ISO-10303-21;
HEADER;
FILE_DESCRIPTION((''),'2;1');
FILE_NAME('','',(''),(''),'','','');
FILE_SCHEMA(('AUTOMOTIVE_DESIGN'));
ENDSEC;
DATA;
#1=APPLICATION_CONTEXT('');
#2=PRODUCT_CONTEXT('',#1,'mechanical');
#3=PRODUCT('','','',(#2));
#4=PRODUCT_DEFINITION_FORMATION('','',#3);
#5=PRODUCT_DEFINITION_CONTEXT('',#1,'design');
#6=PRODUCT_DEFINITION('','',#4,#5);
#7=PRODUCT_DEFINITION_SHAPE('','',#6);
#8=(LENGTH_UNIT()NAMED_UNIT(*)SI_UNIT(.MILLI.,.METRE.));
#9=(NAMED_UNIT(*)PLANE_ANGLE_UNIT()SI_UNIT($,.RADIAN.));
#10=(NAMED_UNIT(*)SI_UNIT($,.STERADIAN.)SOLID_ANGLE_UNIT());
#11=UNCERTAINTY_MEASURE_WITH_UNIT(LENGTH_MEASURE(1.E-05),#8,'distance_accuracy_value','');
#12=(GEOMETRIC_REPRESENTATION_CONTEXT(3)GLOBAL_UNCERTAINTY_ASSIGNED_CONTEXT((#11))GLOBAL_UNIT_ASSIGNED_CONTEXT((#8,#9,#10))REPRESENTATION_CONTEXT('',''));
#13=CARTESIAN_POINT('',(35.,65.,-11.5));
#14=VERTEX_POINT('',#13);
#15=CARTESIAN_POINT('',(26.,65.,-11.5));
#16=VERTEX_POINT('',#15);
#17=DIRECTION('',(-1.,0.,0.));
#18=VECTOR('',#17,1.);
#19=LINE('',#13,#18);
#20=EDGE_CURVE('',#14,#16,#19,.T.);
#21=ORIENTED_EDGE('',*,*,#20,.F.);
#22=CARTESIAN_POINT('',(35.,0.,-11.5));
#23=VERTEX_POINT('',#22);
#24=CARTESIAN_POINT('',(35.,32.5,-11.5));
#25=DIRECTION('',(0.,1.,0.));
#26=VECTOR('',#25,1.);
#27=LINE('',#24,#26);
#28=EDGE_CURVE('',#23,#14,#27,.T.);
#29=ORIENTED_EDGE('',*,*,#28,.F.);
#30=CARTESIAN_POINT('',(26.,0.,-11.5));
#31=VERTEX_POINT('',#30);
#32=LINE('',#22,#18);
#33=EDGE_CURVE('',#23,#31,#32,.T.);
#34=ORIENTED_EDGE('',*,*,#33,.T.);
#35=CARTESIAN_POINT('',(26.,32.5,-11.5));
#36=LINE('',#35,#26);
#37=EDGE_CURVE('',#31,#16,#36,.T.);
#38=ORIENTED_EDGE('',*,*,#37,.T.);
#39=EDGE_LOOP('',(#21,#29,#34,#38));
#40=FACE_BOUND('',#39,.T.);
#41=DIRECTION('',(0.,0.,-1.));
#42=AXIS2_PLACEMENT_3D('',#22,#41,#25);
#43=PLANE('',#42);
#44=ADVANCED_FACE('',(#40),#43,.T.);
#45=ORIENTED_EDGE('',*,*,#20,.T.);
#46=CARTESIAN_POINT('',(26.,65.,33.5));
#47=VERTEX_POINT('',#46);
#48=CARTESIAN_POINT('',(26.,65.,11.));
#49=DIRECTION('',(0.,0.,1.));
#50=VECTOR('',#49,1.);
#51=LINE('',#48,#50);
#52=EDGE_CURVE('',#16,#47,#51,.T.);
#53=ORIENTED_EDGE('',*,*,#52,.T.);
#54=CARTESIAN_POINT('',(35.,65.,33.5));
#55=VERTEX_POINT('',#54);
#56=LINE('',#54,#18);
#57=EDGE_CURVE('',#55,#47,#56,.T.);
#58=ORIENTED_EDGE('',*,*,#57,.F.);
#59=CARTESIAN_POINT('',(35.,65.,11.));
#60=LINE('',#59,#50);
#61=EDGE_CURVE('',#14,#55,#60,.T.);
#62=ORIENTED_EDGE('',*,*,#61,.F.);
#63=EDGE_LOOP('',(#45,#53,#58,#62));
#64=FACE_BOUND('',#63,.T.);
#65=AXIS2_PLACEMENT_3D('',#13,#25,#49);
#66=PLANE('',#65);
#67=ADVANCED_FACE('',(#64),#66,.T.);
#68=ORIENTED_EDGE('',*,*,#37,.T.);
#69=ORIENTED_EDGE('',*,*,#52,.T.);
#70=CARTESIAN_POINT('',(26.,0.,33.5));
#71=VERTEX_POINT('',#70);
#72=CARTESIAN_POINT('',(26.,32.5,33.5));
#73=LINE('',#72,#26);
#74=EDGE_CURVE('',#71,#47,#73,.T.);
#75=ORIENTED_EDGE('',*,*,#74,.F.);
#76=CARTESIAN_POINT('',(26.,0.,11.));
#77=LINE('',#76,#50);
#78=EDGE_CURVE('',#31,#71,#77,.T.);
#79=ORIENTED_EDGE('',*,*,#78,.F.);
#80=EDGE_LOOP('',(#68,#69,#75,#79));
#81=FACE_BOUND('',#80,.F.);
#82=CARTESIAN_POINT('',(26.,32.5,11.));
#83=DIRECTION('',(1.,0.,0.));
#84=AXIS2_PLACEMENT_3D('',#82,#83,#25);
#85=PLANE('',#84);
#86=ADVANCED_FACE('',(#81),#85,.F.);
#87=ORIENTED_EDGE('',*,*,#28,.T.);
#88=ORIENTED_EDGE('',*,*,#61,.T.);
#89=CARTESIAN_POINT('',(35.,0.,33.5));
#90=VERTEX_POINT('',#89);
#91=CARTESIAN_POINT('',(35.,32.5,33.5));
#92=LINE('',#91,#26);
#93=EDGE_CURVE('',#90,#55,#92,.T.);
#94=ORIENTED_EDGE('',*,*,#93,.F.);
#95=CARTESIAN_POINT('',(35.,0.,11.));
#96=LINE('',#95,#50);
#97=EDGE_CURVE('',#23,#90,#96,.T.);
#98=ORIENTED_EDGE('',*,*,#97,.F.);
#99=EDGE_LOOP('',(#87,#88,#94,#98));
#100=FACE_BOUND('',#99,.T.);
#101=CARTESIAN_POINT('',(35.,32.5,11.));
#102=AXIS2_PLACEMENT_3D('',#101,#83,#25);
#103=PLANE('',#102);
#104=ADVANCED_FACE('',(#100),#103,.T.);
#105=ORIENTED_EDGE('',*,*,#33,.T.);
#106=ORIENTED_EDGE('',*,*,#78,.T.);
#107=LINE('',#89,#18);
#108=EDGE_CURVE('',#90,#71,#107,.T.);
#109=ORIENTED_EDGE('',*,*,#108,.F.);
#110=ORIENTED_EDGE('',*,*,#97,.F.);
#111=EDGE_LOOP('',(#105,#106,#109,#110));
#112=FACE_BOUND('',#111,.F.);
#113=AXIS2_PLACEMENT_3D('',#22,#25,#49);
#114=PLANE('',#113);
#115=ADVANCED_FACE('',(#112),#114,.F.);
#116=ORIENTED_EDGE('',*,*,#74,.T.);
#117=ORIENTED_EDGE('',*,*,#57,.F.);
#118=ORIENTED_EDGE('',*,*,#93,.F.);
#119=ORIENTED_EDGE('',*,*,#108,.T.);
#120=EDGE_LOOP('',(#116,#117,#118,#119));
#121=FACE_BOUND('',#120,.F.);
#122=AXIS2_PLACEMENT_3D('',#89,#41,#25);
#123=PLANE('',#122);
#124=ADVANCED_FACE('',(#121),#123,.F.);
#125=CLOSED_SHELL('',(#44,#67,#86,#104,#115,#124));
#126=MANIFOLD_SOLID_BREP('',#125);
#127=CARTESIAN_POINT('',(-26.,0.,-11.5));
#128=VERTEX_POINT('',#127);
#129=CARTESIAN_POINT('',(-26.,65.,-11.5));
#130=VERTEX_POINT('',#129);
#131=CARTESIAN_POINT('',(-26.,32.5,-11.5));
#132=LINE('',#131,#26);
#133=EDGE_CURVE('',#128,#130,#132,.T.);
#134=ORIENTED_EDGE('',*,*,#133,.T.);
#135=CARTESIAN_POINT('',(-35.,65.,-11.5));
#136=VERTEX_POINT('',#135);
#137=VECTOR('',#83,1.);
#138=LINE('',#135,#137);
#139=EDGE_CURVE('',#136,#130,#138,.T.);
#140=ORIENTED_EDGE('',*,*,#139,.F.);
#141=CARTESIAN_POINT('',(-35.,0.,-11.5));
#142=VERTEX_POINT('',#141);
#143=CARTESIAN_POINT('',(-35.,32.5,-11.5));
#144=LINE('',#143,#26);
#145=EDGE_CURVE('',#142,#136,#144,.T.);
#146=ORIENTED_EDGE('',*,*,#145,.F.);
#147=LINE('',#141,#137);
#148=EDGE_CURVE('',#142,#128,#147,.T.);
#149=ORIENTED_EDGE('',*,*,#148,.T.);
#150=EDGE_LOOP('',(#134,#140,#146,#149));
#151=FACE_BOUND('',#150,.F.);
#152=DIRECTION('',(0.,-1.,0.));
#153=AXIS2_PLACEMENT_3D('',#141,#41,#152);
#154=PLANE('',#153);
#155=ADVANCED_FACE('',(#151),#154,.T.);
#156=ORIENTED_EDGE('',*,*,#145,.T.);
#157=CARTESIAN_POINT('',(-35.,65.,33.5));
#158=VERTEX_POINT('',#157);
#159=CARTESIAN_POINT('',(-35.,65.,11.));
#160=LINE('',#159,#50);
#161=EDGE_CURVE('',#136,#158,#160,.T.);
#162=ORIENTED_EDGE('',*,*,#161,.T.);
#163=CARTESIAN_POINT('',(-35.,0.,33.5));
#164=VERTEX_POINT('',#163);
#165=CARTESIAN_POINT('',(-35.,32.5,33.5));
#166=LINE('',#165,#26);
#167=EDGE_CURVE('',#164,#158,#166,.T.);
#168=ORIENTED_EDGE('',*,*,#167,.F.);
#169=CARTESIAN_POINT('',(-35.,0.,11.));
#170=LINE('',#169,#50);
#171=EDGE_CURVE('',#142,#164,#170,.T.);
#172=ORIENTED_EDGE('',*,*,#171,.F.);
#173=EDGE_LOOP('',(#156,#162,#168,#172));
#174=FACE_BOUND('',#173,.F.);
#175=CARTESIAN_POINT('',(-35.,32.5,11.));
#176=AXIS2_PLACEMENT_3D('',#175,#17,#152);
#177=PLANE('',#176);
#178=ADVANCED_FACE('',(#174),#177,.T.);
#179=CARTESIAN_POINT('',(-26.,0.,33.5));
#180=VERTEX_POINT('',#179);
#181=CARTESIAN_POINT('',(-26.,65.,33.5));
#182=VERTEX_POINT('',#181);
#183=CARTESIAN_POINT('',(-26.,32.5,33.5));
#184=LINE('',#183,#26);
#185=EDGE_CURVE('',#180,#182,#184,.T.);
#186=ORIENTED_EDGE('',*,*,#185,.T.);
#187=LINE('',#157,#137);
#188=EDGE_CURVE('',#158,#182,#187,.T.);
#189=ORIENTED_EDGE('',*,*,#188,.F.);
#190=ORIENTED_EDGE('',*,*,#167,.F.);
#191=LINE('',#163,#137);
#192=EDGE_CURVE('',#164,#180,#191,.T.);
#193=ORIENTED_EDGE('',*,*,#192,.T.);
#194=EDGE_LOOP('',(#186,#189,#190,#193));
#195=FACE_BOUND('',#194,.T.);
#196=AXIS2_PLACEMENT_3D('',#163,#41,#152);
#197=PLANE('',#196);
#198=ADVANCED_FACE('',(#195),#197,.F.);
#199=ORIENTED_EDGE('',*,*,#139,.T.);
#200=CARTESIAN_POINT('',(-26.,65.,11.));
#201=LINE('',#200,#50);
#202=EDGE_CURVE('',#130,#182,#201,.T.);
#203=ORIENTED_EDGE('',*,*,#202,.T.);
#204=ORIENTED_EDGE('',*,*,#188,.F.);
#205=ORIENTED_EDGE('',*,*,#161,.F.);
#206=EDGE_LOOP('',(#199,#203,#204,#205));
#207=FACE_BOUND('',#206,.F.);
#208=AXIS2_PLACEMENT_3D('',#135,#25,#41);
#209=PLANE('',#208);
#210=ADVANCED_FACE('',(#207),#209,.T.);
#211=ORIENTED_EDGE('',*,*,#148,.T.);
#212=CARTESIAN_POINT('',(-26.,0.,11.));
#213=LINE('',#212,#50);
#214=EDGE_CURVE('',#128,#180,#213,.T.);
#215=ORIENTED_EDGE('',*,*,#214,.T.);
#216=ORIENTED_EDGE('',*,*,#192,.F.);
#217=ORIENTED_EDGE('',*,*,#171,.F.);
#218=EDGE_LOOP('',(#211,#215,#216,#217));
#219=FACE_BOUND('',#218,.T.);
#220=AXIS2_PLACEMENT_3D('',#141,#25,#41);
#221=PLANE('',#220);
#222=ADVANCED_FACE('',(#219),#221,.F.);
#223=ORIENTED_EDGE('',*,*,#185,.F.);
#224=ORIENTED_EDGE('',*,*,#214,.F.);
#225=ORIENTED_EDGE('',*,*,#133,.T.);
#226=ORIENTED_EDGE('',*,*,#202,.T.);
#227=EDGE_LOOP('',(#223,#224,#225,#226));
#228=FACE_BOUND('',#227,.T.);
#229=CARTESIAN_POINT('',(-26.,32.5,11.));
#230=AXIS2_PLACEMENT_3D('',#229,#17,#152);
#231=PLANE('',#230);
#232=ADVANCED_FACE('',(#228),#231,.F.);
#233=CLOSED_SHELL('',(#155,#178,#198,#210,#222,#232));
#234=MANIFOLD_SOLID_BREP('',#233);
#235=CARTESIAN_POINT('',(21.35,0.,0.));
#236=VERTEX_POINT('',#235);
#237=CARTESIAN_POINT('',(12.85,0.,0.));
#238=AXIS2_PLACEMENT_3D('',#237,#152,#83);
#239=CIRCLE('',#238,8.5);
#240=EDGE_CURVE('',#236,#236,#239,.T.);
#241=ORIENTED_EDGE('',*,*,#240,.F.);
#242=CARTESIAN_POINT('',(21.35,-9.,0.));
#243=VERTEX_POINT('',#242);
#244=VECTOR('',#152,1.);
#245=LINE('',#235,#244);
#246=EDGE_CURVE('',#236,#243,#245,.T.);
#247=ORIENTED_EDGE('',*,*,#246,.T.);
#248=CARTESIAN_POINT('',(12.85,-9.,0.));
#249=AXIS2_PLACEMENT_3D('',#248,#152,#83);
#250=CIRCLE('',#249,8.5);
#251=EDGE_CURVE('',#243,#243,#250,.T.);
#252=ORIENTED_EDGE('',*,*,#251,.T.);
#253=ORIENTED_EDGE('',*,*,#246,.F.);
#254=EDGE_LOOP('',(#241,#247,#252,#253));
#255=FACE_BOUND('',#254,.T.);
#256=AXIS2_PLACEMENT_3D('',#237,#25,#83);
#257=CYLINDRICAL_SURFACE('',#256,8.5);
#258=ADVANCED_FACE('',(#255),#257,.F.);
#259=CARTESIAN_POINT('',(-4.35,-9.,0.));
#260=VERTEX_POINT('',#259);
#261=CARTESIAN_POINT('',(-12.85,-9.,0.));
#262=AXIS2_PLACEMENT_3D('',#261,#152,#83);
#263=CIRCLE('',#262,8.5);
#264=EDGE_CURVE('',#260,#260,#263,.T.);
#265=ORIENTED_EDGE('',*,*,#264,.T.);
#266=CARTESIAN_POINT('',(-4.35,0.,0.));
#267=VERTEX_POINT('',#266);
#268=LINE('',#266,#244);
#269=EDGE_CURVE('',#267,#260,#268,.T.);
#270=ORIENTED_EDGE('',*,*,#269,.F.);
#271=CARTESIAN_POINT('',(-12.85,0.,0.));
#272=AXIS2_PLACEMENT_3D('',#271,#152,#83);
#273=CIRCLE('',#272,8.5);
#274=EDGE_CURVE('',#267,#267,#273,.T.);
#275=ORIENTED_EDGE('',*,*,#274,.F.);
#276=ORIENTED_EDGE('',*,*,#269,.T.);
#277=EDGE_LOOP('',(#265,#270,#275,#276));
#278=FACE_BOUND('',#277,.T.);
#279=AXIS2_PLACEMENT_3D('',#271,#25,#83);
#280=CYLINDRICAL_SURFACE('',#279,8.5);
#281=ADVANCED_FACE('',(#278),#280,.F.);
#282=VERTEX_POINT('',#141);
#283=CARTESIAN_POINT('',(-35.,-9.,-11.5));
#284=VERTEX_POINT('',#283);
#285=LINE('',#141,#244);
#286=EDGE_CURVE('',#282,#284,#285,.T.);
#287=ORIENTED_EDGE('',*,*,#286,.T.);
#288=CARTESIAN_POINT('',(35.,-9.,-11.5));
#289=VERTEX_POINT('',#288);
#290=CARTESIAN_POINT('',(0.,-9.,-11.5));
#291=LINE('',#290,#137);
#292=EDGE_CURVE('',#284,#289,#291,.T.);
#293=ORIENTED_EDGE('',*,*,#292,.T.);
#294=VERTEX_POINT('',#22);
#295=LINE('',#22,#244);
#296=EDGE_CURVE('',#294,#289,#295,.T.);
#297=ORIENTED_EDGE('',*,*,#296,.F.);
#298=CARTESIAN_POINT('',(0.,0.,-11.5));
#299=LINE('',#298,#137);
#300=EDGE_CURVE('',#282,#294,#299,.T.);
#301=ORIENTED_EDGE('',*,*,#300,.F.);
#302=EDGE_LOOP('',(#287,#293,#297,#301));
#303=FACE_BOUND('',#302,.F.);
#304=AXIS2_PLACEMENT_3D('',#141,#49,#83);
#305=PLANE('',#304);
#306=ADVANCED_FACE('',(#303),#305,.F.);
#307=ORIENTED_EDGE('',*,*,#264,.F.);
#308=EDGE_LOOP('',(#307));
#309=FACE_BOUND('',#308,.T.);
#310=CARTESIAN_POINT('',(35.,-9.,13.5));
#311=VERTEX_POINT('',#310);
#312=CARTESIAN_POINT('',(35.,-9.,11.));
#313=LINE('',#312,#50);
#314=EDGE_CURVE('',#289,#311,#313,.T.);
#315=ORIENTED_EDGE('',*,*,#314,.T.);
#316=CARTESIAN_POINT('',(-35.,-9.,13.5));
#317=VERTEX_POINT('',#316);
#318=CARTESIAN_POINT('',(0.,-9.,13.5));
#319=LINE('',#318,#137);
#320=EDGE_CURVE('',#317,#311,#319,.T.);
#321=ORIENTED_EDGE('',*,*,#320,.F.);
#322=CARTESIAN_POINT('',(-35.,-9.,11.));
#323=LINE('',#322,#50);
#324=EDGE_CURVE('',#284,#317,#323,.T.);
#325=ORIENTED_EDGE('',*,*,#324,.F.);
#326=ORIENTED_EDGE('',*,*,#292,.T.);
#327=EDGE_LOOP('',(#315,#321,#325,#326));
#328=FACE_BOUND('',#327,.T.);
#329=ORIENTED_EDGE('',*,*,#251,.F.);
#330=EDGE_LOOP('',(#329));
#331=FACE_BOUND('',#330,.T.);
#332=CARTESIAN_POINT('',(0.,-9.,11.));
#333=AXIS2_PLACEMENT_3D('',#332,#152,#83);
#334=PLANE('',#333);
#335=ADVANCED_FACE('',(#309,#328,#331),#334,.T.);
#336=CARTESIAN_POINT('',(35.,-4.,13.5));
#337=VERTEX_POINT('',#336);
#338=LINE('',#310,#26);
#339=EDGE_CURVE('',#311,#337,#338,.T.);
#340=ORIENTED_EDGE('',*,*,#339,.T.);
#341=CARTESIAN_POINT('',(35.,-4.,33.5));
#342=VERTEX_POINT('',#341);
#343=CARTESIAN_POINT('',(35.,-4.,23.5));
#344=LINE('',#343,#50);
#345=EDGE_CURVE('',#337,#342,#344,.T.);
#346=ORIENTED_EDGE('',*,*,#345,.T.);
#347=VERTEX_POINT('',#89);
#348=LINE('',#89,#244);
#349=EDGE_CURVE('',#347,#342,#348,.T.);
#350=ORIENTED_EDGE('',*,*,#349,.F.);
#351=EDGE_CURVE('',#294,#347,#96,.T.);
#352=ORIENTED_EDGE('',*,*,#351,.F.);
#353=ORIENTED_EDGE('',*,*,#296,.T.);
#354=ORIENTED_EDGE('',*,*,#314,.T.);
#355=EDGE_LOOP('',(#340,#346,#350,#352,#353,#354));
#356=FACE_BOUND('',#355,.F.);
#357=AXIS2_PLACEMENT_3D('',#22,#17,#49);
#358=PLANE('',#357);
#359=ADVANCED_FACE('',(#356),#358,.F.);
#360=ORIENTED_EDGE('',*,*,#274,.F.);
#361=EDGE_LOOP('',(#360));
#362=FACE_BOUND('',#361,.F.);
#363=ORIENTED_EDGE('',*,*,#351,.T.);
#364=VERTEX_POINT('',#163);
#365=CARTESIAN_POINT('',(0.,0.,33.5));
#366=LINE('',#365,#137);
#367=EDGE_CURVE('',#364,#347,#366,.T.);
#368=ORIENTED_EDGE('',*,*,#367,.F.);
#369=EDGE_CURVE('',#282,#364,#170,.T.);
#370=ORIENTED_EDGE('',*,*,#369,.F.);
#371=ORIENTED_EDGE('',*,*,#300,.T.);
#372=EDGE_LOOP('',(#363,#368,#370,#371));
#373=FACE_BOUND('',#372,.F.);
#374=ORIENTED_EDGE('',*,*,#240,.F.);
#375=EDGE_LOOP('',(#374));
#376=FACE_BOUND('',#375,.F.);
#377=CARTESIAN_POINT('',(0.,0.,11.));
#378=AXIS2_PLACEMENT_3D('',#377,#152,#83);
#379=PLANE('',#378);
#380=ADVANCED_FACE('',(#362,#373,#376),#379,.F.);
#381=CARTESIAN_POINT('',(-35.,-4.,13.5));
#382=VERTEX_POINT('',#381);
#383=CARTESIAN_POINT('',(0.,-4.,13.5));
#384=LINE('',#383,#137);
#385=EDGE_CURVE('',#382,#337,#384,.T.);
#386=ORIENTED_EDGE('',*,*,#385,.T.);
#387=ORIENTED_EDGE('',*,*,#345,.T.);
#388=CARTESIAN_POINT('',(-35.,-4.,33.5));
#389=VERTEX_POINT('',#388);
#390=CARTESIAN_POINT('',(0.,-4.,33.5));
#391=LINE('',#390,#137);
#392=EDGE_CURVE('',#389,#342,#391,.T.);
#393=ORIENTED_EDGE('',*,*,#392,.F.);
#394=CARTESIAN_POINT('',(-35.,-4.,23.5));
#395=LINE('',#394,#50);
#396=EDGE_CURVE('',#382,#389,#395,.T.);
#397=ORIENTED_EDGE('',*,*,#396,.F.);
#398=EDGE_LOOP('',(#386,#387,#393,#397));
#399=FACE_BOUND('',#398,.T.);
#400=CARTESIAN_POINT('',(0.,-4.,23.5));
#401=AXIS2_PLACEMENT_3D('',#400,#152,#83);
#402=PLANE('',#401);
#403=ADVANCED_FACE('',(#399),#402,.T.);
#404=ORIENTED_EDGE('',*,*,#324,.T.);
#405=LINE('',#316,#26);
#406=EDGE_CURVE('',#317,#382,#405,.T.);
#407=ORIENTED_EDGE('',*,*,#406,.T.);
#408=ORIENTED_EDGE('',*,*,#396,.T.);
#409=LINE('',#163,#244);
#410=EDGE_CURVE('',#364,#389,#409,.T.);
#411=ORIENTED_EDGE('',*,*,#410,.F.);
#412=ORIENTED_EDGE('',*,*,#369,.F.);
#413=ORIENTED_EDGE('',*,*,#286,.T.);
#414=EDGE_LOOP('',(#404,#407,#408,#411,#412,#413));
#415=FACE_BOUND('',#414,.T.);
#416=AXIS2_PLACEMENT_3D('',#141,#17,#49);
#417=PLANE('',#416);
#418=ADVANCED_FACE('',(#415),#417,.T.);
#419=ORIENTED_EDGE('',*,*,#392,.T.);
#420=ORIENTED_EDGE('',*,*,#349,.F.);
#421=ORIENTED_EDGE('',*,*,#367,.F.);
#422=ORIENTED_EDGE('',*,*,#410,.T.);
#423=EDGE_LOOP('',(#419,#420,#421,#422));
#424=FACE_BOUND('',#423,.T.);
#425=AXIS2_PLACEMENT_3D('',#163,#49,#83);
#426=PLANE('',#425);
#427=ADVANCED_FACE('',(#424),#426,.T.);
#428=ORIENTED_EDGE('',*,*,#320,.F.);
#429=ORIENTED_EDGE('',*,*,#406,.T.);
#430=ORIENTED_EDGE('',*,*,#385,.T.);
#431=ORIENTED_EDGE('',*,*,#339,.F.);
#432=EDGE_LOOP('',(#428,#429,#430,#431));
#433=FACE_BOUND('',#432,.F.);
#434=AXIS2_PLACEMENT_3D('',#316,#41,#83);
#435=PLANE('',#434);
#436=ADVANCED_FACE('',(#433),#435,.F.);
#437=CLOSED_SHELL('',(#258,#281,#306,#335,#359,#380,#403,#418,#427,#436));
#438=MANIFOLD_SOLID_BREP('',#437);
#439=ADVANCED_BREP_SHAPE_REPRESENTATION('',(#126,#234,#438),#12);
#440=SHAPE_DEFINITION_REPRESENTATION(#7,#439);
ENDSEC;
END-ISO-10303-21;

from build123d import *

# Parameters (mm, degrees)
F0_W     = 70
F0_H     = 45
F0_R     = 8.5
F1_DEPTH = 9
F2_W     = 70
F2_H     = 20
F3_DEPTH = 5
F4_W     = 65
F4_H     = 45
F5_DEPTH = 9


with BuildPart() as f1:
    # F0 (on Front) → F1 (new body)
    with BuildSketch(Plane.XZ):
        with Locations((0, 11)):
            Rectangle(F0_W, F0_H)
        with Locations((-12.85, 0)):
            Circle(F0_R, mode=Mode.SUBTRACT)
        with Locations((12.85, 0)):
            Circle(F0_R, mode=Mode.SUBTRACT)
    extrude(amount=F1_DEPTH)

    # F2 (on face) → F3 (cut)
    with BuildSketch(Plane.XZ.offset(9)):
        with Locations((0, 23.5)):
            Rectangle(F2_W, F2_H)
    extrude(amount=-F3_DEPTH, mode=Mode.SUBTRACT)


with BuildPart() as f5:
    # F4 (on face) → F5 (new body)
    with BuildSketch(Plane.YZ.offset(35)):
        with Locations((32.5, 11)):
            Rectangle(F4_W, F4_H)
    extrude(amount=-F5_DEPTH)


with BuildPart() as f6_1:
    # F6: instance of F5
    add(f5.part.mirror(Plane.YZ))


solid = Compound([f1.part, f5.part, f6_1.part])
